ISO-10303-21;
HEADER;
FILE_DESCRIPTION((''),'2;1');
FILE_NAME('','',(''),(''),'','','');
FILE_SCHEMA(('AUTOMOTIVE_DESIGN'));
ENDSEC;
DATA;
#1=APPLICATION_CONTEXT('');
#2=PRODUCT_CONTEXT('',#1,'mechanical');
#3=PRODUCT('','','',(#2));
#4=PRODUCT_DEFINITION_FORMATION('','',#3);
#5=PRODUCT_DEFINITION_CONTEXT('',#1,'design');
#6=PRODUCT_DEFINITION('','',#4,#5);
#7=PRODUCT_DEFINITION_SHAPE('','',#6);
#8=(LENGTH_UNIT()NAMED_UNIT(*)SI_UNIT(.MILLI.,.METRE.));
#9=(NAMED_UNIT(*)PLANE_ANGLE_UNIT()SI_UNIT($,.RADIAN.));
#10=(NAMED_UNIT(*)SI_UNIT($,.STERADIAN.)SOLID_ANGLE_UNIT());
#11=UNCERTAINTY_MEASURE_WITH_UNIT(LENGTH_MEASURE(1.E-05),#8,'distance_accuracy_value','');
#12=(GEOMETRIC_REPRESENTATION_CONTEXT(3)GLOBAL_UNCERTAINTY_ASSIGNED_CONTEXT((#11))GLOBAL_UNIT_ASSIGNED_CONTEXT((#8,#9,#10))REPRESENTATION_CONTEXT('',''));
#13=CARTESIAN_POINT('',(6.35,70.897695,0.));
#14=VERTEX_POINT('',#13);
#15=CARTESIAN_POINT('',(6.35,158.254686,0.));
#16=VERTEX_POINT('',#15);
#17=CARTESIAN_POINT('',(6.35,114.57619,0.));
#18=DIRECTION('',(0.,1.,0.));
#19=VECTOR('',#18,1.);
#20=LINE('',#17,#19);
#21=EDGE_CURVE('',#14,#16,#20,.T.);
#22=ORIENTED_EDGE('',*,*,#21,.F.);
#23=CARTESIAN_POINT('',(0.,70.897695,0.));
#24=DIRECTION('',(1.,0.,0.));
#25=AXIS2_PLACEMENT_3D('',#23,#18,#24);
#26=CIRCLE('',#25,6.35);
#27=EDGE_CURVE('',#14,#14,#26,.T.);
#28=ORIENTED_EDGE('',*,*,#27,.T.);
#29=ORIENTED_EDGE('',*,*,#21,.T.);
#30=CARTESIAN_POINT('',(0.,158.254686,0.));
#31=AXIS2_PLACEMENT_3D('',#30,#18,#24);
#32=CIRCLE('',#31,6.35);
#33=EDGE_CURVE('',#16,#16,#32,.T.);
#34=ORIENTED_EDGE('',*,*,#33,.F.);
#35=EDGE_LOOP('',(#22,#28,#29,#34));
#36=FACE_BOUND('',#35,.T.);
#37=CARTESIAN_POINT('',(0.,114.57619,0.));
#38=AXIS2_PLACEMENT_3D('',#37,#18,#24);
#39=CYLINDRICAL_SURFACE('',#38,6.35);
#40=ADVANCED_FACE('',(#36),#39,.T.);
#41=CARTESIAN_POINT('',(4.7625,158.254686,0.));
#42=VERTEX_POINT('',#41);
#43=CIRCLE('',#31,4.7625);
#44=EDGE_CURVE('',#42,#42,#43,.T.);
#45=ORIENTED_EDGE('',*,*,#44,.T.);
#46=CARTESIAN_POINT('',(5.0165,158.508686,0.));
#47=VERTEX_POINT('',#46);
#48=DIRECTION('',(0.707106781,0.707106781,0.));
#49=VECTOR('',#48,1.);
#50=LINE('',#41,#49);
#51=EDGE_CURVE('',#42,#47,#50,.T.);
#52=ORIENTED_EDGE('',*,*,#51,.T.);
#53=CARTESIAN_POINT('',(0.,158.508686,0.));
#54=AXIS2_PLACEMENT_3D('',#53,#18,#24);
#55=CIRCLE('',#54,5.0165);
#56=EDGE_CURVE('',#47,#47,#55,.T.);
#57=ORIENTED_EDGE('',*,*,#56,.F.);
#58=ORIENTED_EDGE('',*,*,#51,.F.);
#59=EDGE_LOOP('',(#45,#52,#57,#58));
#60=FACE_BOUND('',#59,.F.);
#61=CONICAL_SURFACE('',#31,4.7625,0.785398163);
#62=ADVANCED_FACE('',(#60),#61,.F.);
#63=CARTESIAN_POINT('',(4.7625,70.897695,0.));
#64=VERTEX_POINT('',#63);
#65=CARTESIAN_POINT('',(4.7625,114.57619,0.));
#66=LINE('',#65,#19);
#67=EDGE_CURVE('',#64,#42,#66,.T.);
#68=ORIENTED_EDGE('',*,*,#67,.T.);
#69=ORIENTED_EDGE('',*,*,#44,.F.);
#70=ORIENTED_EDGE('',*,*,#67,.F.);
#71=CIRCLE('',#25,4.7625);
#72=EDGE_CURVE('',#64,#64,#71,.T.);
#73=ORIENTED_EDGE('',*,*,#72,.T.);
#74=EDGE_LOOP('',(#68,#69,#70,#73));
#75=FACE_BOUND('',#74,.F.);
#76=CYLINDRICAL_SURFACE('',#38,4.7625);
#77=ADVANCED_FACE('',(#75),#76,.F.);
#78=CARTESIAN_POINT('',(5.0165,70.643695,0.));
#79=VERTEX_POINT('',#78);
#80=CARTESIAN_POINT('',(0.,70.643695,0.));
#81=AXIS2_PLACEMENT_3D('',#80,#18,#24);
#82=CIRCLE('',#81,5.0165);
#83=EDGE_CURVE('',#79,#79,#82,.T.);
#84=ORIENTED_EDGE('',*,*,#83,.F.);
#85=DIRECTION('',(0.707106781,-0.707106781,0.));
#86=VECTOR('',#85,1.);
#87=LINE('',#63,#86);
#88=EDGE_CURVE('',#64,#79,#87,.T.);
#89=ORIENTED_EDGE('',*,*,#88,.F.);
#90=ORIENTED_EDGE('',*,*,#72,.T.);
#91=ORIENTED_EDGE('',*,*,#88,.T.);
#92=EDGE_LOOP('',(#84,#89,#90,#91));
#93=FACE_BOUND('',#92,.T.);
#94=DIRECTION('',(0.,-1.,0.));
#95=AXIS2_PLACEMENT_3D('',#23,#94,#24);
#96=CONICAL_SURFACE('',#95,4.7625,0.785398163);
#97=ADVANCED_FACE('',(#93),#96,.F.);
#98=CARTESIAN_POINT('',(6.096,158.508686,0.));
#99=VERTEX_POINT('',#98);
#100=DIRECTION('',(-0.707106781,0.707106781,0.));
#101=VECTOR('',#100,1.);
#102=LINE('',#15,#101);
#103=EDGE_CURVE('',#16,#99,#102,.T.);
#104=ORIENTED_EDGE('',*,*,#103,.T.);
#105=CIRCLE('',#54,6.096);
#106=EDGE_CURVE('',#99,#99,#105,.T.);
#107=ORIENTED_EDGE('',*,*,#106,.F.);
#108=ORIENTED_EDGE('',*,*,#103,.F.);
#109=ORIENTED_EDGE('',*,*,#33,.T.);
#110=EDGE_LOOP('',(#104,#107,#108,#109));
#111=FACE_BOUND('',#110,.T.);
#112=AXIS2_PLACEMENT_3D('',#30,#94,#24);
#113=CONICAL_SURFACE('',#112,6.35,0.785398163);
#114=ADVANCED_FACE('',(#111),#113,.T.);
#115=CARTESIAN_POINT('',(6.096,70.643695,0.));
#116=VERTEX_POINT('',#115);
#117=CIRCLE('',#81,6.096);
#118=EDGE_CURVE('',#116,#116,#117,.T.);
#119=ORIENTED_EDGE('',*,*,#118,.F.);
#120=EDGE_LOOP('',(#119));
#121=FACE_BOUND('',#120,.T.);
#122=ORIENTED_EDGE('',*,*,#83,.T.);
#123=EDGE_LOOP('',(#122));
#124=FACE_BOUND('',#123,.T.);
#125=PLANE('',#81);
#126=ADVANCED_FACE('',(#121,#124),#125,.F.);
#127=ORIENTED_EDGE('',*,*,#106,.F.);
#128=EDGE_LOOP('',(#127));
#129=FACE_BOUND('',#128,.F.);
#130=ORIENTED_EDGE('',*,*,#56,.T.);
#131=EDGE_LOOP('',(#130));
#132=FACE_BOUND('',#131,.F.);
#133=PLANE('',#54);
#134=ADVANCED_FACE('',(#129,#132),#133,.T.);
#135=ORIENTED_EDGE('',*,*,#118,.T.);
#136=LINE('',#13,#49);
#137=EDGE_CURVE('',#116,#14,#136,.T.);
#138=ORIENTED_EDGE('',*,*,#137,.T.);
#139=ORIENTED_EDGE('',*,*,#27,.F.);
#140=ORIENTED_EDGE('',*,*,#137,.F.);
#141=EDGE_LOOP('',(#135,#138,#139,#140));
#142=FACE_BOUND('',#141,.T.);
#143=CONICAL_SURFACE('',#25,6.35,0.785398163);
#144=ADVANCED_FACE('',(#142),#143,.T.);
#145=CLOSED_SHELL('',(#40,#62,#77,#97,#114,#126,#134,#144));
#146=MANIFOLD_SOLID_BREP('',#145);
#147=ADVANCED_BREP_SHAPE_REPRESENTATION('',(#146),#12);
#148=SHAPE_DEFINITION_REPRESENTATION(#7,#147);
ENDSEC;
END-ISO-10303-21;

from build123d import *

# Parameters (mm, degrees)
SKETCH1_W     = 1.5875
SKETCH1_H     = 87.864991064
CHAMFER1_SIZE = 0.254


with BuildPart() as part:
    # Sketch1 → Revolve1 (revolve)
    with BuildSketch(Plane.XY):
        with Locations((5.55625, 114.576190497)):
            Rectangle(SKETCH1_W, SKETCH1_H)
    revolve(axis=Axis((0, 61.118694965, 0), (0, 1, 0)))

    # Chamfer1
    chamfer1_edges = [part.edges().sort_by_distance(p)[0] for p in [
        (-6.35, 70.643694964, 0),
        (-6.350000002, 158.508686029, 0),
        (-4.762500002, 158.508686029, 0),
        (-4.7625, 70.643694965, 0),
    ]]
    chamfer(chamfer1_edges, length=CHAMFER1_SIZE)


solid = part.part
